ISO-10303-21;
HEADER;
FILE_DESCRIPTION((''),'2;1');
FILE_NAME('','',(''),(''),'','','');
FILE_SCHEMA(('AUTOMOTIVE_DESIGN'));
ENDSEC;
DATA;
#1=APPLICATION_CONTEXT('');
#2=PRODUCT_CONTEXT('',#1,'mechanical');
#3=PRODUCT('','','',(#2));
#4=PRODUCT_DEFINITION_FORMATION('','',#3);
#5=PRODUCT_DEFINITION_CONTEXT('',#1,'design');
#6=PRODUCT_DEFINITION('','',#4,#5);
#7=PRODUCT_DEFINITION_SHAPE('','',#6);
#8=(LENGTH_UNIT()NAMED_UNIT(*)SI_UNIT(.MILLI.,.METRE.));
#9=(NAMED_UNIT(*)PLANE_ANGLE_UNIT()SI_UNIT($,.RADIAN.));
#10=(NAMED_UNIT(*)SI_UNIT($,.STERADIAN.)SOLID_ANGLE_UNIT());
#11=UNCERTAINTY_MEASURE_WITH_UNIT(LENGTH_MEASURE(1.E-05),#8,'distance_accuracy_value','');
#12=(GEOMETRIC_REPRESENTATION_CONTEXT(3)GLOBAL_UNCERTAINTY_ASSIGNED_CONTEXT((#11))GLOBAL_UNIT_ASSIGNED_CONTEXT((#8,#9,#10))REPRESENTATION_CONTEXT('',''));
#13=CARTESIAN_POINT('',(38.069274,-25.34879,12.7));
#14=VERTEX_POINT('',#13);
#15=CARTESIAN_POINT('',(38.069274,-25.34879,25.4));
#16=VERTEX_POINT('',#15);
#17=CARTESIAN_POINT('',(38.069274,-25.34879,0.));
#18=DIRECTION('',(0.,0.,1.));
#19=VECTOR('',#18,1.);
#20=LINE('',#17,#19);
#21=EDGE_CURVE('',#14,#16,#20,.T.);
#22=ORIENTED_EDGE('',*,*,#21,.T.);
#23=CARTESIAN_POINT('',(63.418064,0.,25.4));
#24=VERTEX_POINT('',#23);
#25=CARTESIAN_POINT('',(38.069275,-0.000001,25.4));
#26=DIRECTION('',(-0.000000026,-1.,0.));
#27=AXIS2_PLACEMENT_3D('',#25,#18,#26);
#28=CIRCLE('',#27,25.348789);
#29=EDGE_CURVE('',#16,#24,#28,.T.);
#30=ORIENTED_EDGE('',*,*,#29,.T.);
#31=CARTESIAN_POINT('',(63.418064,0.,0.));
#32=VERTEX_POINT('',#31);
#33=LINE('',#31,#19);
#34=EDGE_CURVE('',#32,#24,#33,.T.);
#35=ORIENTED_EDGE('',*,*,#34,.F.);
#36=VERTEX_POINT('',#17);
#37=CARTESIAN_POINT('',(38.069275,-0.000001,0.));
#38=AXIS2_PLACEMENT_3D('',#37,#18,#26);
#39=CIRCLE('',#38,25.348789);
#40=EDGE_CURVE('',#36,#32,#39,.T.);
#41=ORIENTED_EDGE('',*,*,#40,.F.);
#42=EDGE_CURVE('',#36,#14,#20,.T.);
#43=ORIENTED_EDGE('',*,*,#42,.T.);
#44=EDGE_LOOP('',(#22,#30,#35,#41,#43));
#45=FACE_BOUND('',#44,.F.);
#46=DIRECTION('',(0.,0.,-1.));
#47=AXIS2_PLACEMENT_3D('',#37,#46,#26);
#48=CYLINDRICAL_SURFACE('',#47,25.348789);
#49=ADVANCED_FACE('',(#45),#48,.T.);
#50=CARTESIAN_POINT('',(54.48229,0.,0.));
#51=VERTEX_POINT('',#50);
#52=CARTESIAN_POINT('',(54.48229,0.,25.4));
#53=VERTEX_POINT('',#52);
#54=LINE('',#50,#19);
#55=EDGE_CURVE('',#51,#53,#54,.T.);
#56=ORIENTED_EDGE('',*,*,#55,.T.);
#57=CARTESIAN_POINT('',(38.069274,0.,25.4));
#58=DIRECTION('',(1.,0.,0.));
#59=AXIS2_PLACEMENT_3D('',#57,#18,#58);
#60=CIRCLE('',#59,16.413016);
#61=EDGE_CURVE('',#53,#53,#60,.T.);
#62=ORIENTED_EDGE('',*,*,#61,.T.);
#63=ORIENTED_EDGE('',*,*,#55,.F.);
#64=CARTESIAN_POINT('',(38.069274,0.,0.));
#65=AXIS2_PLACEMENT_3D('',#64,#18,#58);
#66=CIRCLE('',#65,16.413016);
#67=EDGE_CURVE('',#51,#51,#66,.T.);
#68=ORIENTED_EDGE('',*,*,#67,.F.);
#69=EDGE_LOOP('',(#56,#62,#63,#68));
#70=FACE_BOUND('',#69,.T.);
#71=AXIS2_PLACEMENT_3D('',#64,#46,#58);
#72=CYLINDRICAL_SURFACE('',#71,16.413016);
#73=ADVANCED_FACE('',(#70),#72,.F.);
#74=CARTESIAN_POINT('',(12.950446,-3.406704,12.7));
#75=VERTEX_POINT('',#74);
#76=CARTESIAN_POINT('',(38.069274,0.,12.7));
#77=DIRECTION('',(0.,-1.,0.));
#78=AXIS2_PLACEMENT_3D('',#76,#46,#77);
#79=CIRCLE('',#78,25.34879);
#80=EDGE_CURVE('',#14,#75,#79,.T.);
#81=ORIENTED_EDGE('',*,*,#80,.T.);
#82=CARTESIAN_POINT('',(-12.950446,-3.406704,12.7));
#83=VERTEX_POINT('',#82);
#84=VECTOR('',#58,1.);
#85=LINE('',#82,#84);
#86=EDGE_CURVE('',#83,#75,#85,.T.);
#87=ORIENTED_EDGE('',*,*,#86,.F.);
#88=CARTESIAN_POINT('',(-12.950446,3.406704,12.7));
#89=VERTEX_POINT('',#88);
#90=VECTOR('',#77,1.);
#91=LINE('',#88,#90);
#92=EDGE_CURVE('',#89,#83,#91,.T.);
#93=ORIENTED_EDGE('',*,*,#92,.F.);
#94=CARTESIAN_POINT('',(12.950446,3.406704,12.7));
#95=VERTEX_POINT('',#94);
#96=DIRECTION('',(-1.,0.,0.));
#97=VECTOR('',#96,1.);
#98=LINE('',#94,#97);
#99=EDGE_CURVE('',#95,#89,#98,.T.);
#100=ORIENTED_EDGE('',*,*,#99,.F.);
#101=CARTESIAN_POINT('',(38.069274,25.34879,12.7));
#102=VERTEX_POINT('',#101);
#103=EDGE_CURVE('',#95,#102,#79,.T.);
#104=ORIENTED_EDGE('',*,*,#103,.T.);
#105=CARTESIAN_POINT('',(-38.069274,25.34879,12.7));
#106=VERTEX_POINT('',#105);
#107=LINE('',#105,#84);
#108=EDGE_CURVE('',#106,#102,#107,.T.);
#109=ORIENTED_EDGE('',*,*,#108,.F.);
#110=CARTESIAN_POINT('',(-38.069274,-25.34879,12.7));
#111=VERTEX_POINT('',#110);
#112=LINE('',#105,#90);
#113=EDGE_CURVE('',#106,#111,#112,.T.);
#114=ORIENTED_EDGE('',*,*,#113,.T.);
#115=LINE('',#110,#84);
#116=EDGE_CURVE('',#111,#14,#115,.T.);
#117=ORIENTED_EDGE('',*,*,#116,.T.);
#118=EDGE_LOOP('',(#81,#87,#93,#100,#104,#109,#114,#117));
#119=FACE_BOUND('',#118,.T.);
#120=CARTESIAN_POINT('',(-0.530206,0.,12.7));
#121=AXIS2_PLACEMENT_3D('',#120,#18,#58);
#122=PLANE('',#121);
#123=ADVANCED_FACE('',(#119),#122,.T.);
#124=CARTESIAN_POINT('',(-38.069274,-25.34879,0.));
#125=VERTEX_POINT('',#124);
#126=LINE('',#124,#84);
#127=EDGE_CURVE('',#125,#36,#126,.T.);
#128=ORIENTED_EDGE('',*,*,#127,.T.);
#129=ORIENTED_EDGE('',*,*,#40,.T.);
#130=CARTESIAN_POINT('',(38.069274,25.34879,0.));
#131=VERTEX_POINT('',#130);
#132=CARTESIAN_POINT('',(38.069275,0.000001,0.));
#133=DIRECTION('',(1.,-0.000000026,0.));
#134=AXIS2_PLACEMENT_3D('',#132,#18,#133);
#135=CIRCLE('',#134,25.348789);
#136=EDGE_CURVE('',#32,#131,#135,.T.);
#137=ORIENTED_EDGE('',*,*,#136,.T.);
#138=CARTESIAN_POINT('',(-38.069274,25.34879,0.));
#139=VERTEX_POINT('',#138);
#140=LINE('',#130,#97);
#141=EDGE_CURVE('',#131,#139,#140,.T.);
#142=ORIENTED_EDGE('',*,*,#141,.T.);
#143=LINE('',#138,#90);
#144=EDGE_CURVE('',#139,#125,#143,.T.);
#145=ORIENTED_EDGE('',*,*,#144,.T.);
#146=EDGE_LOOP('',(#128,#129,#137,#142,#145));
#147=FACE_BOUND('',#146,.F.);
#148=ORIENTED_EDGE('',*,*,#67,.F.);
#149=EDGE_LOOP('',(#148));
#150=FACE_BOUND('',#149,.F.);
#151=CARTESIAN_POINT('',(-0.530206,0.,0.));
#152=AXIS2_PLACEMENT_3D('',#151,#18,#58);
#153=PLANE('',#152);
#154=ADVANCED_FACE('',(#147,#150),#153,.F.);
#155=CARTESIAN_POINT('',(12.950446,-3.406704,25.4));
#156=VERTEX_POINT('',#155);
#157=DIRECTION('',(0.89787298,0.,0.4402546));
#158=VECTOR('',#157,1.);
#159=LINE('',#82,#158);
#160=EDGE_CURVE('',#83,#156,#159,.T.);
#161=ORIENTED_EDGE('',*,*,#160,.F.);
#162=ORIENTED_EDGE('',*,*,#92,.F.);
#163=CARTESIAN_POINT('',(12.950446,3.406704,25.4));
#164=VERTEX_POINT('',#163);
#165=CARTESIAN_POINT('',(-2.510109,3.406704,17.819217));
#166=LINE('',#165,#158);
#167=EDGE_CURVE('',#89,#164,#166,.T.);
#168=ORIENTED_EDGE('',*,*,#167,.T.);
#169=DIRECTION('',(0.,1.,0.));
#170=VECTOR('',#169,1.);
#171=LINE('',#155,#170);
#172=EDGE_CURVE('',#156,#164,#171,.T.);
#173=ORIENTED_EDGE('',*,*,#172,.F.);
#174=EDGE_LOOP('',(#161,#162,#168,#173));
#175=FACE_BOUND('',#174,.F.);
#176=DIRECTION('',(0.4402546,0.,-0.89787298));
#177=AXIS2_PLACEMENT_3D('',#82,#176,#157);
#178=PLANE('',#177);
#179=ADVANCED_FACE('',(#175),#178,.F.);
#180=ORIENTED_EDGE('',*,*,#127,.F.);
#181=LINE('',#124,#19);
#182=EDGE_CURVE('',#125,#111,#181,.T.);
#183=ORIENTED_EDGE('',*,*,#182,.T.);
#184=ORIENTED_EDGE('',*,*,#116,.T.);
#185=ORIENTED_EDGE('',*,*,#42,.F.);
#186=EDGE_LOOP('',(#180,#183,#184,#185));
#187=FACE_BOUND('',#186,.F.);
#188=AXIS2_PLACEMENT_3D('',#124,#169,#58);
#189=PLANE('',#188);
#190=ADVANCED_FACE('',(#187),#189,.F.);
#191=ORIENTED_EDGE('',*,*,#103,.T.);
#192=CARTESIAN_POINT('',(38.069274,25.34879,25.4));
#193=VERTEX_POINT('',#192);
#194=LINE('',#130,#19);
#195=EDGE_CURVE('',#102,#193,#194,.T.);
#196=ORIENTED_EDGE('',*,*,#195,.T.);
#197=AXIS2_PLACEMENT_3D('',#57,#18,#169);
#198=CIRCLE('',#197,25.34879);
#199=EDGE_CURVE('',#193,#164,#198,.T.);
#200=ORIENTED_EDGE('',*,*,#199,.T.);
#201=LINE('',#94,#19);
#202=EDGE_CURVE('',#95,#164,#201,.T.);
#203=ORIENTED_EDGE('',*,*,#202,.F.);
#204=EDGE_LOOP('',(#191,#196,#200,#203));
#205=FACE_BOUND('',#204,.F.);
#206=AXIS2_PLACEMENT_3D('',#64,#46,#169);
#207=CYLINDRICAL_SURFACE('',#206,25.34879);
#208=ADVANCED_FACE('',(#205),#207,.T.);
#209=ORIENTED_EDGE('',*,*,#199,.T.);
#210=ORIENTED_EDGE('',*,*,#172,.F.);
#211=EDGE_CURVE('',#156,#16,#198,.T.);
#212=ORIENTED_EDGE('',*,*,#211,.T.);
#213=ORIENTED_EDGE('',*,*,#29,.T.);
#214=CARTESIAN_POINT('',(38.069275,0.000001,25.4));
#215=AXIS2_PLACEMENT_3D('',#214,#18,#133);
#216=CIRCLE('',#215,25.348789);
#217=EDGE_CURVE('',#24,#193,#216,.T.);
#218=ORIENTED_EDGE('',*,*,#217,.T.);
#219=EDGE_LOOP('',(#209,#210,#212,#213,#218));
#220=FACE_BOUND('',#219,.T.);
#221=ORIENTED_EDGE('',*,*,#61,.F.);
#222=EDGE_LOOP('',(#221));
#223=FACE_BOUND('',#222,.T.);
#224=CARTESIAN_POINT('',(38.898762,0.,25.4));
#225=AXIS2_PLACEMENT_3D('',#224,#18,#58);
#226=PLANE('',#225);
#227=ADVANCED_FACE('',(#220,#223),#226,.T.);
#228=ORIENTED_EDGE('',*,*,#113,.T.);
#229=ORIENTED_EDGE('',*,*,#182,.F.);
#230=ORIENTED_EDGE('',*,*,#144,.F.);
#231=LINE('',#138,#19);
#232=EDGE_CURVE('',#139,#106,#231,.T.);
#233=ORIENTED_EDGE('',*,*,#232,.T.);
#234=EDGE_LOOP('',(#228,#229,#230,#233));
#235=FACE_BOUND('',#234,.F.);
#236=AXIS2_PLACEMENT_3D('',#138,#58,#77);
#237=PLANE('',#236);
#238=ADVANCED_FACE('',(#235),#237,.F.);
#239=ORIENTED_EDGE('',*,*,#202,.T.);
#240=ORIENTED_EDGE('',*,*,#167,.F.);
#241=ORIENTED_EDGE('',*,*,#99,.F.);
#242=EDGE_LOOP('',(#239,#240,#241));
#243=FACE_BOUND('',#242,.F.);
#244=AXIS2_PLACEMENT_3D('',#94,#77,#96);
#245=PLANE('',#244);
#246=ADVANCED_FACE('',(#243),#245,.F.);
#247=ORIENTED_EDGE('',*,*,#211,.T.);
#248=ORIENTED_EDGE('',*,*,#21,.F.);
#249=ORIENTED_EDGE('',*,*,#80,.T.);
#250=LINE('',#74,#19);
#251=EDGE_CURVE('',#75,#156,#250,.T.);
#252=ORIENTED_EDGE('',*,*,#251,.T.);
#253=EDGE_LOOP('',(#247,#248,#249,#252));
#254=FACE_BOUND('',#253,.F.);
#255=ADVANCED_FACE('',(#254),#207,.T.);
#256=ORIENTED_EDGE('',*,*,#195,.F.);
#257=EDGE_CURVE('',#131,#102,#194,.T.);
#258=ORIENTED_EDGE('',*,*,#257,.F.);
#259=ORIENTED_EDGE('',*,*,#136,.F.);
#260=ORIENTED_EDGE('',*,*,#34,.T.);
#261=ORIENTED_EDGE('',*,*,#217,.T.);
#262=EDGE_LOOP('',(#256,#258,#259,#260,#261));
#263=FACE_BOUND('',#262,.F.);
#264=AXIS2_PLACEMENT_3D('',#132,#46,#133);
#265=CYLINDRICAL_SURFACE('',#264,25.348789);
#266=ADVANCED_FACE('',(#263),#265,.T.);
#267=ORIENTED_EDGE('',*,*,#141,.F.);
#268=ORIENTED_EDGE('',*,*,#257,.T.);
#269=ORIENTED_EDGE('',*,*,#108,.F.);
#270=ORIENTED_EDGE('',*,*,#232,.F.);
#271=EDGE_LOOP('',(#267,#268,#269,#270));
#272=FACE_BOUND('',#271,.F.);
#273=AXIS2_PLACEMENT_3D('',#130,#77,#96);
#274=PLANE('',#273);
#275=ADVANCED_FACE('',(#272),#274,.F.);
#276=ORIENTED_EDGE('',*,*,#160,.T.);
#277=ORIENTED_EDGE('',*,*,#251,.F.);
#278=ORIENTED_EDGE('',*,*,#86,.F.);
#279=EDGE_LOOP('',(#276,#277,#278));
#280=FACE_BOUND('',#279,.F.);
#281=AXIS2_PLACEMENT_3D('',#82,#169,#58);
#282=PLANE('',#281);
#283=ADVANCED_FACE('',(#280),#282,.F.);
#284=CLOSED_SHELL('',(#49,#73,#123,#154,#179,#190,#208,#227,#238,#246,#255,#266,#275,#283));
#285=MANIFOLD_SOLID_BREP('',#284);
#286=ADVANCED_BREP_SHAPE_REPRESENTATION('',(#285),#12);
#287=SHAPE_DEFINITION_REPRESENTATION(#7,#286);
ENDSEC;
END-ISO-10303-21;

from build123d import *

# Parameters (mm, degrees)
F0_R     = 16.413016
F1_DEPTH = 25.4
F2_DEPTH = 12.7
F4_DEPTH = 12.7
F6_DEPTH = 508


with BuildPart() as f1:
    # F0 (on Top) → F1 (new body)
    with BuildSketch(Plane.XY):
        with BuildLine():
            ThreePointArc((38.069274, 25.34879), (12.720484, 0), (38.069274, -25.34879))
            ThreePointArc((38.069274, -25.34879), (55.993576, -17.924301), (63.418064, 0))
            ThreePointArc((63.418064, 0), (55.993576, 17.924301), (38.069274, 25.34879))
        make_face()
        with Locations((38.069274, 0)):
            Circle(F0_R, mode=Mode.SUBTRACT)
    extrude(amount=F1_DEPTH)

    # F0 (on Top) → F2 (join)
    with BuildSketch(Plane.XY):
        with BuildLine():
            Line((-38.069274, 25.34879), (-38.069274, -25.34879))
            Line((-38.069274, -25.34879), (38.069274, -25.34879))
            ThreePointArc((38.069274, -25.34879), (12.720484, 0), (38.069274, 25.34879))
            Line((38.069274, 25.34879), (-38.069274, 25.34879))
        make_face()
    extrude(amount=F2_DEPTH)

    # F3 (on face) → F4 (join)
    with BuildSketch(Plane.XY.offset(12.7)):
        with BuildLine():
            ThreePointArc((12.950446, -3.406704), (12.720484, 0), (12.950446, 3.406704))
            Line((12.950446, 3.406704), (-12.950446, 3.406704))
            Line((-12.950446, 3.406704), (-12.950446, -3.406704))
            Line((-12.950446, -3.406704), (12.950446, -3.406704))
        make_face()
    extrude(amount=F4_DEPTH)

    # F5 (on face) → F6 (cut)
    with BuildSketch(Plane.XZ.offset(3.406704)):
        Polygon((-12.950446, 25.4), (-12.950446, 12.7), (12.950446, 25.4), align=None)
    extrude(amount=-F6_DEPTH, mode=Mode.SUBTRACT)


solid = f1.part
